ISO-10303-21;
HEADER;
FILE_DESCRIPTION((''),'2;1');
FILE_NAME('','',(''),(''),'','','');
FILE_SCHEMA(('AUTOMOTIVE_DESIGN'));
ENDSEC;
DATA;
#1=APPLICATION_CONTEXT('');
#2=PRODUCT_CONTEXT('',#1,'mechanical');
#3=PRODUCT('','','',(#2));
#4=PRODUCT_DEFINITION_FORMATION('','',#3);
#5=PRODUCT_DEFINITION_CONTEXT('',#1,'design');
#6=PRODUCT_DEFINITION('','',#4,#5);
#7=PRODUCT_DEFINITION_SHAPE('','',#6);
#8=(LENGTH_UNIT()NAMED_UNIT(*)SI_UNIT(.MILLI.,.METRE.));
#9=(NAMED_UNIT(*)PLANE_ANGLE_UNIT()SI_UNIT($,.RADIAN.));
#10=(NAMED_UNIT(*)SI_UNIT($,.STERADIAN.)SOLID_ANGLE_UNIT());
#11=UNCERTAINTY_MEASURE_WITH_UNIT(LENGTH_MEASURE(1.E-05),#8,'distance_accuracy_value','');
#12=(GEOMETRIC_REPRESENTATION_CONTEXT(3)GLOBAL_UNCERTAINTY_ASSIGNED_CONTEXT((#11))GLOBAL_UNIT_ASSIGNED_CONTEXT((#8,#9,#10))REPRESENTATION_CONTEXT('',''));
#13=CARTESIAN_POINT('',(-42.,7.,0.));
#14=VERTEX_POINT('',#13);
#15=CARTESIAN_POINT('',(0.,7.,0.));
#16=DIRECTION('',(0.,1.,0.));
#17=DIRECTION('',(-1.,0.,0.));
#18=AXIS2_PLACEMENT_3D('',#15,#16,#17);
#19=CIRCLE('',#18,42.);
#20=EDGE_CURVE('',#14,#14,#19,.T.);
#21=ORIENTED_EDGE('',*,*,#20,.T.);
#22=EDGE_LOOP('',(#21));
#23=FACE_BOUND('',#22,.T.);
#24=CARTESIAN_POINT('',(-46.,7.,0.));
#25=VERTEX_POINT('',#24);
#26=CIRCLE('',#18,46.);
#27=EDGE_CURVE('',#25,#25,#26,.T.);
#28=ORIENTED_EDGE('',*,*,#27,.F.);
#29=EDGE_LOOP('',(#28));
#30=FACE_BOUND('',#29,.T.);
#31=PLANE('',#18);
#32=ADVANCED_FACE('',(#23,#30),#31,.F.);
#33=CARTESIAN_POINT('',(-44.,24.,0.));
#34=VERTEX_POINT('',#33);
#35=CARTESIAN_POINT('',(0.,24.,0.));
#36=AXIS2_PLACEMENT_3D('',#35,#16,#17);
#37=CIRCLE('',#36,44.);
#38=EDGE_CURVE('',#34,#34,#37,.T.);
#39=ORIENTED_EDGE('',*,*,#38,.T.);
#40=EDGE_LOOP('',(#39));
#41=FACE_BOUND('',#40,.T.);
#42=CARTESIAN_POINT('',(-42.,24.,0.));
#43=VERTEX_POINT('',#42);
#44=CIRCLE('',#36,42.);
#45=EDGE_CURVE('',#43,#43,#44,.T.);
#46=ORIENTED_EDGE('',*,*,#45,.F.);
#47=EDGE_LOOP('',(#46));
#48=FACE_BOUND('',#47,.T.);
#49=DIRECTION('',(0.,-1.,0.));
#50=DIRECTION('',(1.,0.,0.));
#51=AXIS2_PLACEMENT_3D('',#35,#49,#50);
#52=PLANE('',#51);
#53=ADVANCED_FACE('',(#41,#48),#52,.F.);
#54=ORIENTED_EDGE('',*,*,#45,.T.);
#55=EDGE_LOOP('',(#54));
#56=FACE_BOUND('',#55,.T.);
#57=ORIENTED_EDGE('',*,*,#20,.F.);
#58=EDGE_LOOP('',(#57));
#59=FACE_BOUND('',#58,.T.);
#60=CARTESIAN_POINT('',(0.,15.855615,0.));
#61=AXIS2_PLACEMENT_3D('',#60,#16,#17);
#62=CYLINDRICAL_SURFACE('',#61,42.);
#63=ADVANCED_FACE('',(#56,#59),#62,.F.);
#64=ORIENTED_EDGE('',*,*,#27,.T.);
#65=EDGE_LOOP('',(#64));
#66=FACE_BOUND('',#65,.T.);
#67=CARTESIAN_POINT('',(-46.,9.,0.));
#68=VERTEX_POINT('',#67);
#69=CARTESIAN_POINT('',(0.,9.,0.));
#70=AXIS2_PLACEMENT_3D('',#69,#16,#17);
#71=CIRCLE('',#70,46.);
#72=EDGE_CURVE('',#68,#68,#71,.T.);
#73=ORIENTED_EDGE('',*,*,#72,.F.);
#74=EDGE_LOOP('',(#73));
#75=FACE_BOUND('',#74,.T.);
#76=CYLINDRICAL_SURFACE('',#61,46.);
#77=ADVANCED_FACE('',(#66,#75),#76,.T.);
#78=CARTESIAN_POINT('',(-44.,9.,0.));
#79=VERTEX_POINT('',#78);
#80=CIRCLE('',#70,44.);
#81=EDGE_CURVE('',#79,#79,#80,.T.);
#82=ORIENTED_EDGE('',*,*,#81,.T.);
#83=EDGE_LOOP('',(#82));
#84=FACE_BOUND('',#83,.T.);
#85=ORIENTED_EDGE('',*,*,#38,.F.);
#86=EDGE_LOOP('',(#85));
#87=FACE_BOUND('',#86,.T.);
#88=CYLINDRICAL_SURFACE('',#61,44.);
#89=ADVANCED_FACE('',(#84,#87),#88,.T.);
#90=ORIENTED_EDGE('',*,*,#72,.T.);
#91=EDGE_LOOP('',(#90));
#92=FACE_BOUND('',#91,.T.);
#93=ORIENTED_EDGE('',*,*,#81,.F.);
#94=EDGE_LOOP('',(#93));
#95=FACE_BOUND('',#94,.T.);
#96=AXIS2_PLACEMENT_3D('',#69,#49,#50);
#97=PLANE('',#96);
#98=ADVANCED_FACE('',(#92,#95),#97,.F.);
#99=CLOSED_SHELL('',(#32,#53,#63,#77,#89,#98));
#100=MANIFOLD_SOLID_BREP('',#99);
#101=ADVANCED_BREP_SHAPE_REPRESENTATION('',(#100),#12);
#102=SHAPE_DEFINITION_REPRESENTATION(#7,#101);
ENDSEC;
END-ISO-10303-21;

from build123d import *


with BuildPart() as part:
    # Sketch1 → Revolve1 (revolve)
    with BuildSketch(Plane.XY):
        Polygon((-44, 24), (-42, 24), (-42, 7), (-46, 7), (-46, 9), (-44, 9), align=None)
    revolve(axis=Axis((0, 15.855614973, 0), (0, -1, 0)))


solid = part.part
